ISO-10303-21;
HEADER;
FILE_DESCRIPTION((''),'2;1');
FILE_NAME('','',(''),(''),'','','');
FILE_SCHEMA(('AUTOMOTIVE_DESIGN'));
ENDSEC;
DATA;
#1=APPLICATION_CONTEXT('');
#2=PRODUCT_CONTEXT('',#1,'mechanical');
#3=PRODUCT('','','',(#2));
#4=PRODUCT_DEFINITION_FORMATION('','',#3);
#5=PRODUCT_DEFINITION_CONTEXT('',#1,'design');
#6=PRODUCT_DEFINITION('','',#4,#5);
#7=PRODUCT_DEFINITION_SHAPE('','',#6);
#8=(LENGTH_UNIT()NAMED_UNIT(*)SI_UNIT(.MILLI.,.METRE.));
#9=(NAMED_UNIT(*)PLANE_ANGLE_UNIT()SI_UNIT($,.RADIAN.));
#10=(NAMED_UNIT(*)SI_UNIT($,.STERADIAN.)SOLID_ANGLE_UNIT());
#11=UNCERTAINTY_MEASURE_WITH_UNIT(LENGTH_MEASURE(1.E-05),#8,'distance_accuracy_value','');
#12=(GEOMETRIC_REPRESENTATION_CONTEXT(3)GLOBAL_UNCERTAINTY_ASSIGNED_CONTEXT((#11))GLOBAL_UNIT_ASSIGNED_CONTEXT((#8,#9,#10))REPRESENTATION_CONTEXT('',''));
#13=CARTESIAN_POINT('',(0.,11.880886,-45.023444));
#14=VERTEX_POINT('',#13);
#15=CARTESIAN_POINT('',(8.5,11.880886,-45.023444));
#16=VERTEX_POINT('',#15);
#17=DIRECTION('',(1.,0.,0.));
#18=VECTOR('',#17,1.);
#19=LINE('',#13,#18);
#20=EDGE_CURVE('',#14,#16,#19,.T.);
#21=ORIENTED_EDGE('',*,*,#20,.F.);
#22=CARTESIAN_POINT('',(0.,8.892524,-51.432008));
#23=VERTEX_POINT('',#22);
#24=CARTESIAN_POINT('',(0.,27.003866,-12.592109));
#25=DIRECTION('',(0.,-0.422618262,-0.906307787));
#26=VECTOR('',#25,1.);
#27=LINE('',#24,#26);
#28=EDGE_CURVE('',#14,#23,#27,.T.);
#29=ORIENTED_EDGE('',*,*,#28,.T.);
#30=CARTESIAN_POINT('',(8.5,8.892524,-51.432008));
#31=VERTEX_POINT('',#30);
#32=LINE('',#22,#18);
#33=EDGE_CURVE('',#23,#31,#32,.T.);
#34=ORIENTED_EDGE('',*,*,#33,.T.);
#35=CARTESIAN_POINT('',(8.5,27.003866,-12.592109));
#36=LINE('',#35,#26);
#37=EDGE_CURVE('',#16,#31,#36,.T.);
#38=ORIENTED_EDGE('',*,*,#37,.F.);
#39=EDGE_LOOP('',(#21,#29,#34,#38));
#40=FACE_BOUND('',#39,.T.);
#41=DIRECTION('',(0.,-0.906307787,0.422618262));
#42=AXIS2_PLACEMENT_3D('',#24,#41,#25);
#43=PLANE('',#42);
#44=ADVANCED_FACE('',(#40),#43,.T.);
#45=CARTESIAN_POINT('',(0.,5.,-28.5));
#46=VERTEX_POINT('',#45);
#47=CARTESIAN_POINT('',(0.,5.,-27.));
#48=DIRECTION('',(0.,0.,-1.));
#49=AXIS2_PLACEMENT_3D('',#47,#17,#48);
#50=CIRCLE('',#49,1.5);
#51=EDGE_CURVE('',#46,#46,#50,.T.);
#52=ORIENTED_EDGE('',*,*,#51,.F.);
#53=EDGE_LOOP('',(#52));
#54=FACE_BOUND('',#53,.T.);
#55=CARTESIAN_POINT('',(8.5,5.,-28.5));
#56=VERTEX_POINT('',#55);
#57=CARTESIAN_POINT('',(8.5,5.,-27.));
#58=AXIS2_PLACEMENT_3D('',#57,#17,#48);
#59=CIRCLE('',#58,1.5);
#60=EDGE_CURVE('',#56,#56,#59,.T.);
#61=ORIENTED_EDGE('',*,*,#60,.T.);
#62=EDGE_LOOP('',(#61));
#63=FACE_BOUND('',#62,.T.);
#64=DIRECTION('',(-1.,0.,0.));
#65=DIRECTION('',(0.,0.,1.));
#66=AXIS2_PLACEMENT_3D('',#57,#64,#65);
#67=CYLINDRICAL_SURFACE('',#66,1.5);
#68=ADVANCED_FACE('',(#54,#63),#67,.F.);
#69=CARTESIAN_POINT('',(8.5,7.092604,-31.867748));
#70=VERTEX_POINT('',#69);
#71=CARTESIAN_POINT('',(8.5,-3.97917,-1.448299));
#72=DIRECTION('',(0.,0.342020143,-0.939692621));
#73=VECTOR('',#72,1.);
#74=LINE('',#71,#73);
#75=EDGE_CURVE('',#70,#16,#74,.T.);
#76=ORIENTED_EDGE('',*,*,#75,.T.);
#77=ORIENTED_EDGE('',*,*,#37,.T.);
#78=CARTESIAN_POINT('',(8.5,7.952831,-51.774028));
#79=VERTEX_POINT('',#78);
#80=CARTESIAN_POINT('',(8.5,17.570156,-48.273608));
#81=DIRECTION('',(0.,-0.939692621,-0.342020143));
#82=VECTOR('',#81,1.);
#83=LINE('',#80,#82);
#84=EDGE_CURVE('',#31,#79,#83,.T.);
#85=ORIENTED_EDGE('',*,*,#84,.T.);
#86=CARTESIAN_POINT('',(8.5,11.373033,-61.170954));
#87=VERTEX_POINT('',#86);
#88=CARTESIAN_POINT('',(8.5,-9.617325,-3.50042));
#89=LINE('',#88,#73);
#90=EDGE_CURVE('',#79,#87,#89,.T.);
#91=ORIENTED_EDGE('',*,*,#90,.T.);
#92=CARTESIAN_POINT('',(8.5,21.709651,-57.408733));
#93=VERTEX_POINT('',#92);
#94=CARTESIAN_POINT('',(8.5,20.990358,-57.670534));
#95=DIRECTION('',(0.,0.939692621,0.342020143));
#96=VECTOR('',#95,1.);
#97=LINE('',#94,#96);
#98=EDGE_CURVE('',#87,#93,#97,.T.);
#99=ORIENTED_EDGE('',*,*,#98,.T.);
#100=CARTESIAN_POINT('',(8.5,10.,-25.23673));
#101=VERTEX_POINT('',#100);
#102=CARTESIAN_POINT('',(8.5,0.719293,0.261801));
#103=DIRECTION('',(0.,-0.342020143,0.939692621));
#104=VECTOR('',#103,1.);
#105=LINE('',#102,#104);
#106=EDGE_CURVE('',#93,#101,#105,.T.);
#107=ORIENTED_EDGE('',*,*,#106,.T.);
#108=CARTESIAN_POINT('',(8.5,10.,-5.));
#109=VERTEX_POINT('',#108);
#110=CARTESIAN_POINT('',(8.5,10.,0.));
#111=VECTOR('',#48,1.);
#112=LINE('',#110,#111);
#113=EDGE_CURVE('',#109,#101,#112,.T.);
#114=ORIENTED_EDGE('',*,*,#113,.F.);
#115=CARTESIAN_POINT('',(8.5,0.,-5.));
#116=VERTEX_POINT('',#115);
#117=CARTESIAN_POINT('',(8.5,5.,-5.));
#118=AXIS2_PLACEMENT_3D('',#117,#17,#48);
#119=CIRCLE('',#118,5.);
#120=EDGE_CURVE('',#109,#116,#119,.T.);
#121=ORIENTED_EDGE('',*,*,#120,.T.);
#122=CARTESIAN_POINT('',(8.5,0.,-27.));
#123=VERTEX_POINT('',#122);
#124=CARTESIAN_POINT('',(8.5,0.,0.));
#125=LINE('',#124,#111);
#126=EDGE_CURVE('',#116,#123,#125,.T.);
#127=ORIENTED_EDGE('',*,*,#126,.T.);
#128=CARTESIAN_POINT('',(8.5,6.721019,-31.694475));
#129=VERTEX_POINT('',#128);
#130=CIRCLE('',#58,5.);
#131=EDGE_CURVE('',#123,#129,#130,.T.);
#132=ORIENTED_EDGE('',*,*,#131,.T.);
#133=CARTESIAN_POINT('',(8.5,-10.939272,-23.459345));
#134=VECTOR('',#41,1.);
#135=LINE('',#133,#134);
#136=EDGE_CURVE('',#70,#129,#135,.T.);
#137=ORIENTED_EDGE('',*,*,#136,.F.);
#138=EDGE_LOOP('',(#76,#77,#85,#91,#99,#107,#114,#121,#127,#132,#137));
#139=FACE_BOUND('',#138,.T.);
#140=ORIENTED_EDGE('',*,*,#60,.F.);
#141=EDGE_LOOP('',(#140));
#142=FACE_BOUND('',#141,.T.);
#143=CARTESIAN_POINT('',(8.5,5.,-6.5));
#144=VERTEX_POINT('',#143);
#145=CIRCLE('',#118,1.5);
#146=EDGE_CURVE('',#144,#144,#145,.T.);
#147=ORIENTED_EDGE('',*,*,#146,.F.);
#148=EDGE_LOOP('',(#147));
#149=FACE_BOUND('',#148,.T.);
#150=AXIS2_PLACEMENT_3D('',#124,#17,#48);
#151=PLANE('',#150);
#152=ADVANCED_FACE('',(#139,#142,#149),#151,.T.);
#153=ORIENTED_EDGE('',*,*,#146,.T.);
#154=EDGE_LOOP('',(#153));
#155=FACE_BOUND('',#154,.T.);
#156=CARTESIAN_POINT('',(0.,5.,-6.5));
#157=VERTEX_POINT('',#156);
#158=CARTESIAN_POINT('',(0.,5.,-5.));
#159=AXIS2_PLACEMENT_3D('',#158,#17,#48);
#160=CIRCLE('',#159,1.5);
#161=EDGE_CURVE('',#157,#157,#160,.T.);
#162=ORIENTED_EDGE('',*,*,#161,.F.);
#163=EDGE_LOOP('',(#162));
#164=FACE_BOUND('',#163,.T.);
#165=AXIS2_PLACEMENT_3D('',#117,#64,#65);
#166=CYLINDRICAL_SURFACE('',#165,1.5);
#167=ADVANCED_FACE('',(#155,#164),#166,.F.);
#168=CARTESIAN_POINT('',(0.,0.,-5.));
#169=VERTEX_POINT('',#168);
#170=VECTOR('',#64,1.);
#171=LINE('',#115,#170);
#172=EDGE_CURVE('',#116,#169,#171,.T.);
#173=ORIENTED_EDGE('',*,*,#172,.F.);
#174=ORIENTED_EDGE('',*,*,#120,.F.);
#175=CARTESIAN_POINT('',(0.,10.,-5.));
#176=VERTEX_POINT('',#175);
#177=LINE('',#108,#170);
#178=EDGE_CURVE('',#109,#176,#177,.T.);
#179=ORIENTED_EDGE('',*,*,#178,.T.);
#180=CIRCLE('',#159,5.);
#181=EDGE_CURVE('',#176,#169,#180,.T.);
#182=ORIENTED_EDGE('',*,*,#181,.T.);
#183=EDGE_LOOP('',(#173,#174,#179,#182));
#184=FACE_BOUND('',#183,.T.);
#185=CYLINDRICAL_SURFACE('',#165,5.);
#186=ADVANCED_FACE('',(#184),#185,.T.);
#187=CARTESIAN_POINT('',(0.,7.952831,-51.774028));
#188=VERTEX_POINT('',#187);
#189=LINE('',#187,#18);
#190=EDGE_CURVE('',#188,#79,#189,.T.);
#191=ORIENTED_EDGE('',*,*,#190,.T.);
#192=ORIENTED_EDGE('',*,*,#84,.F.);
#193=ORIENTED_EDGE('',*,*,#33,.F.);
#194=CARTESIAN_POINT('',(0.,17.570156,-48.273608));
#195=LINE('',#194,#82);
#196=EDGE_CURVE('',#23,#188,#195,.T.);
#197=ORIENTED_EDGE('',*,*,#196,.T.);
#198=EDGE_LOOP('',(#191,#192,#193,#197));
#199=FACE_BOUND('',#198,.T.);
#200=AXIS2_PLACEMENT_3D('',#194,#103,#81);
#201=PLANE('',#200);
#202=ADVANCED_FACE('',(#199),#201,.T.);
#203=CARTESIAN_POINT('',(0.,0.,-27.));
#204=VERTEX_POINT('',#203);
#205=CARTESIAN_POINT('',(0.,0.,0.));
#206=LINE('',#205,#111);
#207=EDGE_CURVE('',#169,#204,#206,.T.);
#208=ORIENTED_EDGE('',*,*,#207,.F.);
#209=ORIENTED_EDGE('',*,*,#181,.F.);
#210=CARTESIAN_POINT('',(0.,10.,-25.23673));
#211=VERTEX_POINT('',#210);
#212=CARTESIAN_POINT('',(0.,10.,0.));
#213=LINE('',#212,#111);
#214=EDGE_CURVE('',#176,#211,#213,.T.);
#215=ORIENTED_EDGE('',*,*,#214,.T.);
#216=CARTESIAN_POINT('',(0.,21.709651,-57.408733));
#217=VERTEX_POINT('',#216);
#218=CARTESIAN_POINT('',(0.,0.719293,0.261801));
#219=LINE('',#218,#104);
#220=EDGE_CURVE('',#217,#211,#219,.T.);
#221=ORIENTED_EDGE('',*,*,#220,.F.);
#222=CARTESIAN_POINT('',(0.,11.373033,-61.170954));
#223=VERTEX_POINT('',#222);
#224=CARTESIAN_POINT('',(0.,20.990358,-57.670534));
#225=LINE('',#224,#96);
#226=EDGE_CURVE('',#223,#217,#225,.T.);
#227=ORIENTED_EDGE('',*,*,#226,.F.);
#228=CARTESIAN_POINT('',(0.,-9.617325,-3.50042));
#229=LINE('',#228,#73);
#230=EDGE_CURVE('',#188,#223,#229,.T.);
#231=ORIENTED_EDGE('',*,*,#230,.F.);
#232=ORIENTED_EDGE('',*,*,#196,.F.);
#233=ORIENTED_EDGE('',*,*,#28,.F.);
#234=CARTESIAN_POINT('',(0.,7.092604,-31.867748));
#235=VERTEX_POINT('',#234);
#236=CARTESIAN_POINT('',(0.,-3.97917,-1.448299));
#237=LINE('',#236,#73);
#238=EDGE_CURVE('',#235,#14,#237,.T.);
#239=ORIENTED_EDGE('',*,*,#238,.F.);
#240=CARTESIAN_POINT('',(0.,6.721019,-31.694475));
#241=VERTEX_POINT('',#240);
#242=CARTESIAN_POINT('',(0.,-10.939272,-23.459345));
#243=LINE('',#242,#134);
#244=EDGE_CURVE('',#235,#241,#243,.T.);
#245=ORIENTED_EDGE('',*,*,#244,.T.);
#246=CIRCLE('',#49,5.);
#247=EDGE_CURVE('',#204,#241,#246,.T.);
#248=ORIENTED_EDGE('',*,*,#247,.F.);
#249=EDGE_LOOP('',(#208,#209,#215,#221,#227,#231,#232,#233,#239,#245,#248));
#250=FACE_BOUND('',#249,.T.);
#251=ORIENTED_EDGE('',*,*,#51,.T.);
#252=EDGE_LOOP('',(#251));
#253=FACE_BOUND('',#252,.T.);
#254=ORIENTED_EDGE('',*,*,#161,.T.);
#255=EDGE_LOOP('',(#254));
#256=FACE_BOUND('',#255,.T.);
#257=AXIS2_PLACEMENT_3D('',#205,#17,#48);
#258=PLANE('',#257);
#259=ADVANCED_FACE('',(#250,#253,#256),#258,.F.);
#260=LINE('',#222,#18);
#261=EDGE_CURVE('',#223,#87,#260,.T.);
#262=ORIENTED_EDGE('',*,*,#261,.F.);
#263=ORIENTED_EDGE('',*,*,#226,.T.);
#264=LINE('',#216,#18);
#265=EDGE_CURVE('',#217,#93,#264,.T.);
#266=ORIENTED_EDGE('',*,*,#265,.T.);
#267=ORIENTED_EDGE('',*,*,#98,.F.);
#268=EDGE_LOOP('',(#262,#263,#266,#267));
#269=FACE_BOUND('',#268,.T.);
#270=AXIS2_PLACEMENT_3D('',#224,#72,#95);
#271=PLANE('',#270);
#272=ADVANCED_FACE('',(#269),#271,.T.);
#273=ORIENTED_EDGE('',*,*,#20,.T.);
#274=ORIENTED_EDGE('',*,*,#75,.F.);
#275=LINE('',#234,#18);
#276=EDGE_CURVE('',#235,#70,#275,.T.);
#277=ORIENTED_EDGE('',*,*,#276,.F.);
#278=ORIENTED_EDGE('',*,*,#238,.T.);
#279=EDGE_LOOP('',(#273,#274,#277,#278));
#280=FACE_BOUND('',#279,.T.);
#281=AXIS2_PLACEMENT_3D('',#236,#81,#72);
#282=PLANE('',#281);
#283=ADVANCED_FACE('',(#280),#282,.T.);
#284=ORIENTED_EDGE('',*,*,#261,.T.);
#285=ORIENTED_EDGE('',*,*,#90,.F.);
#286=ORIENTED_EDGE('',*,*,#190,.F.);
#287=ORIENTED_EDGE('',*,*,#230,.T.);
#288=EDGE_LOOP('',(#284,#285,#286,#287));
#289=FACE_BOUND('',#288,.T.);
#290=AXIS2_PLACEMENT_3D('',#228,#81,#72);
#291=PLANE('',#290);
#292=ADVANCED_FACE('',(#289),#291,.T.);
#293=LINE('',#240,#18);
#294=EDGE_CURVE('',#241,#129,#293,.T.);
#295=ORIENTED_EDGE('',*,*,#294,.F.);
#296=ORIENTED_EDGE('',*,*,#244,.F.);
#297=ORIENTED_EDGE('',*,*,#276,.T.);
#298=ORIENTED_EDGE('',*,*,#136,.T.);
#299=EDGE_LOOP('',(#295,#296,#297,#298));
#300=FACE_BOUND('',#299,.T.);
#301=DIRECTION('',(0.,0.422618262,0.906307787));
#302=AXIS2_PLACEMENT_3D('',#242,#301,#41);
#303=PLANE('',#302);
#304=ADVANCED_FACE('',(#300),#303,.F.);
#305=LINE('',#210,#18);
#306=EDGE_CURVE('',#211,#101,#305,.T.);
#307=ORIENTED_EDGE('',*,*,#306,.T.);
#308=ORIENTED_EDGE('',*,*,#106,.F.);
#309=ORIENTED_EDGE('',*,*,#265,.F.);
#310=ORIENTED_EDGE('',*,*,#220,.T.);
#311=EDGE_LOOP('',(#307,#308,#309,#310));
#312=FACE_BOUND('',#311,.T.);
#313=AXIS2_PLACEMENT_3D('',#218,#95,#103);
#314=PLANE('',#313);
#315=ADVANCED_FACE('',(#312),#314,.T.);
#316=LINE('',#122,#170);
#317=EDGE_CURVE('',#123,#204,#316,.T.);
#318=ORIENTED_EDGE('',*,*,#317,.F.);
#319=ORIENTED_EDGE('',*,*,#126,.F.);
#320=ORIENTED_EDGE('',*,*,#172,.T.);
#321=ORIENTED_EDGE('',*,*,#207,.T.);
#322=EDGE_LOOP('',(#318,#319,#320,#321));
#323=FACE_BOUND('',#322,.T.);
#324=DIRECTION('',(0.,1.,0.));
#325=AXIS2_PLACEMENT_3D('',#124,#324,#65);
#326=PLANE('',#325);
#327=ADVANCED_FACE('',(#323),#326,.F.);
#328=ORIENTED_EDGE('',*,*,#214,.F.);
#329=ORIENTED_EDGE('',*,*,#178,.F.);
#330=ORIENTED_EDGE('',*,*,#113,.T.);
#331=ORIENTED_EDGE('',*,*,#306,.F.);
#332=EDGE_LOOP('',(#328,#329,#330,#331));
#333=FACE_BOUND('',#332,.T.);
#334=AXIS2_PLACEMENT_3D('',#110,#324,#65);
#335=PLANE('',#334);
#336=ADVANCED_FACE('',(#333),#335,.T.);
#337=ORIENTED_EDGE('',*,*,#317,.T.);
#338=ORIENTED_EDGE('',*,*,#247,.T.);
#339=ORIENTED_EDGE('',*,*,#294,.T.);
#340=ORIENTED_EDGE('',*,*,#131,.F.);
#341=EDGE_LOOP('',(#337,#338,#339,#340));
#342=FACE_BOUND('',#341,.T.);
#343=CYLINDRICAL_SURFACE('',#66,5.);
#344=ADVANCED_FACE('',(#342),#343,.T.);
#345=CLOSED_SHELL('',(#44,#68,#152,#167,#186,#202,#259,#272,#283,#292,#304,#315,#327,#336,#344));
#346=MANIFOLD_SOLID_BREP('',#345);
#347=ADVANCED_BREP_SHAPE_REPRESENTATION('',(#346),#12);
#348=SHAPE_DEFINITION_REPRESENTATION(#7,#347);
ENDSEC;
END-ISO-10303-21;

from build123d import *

# Parameters (mm, degrees)
SKETCH1_R           = 1.5
BOSS_EXTRUDE1_DEPTH = 8.5
BOSS_EXTRUDE2_DEPTH = 8.5


with BuildPart() as part:
    # Sketch1 → Boss-Extrude1 (new body)
    with BuildSketch(Plane(origin=(0, 0, 0), x_dir=(0, 0, -1), z_dir=(1, 0, 0))):
        with BuildLine():
            Line((27, 10), (5, 10))
            ThreePointArc((5, 10), (0, 5), (5, 0))
            Line((5, 0), (27, 0))
            ThreePointArc((27, 0), (32, 5), (27, 10))
        make_face()
        with Locations((5, 5)):
            Circle(SKETCH1_R, mode=Mode.SUBTRACT)
        with Locations((27, 5)):
            Circle(SKETCH1_R, mode=Mode.SUBTRACT)
    extrude(amount=BOSS_EXTRUDE1_DEPTH)

    # Sketch2 → Boss-Extrude2 (add)
    with BuildSketch(Plane(origin=(8.5, 0, 0), x_dir=(0, 0, -1), z_dir=(1, 0, 0))):
        with BuildLine():
            ThreePointArc((27, 10), (29.863119288, 9.099091112), (31.69447473, 6.721019177))
            Line((31.69447473, 6.721019177), (31.867747629, 7.092604107))
            Line((31.867747629, 7.092604107), (45.02344432, 11.880886114))
            Line((45.02344432, 11.880886114), (51.43200814, 8.892523726))
            Line((51.43200814, 8.892523726), (60.828934348, 12.31272516))
            Line((60.828934348, 12.31272516), (57.408732915, 21.709651368))
            Line((57.408732915, 21.709651368), (25.236730193, 10))
            Line((25.236730193, 10), (27, 10))
        make_face()
        Polygon((60.828934348, 12.31272516), (51.43200814, 8.892523726), (51.774028284, 7.952831106), (61.170954492, 11.373032539), align=None)
    extrude(amount=-BOSS_EXTRUDE2_DEPTH)


solid = part.part
